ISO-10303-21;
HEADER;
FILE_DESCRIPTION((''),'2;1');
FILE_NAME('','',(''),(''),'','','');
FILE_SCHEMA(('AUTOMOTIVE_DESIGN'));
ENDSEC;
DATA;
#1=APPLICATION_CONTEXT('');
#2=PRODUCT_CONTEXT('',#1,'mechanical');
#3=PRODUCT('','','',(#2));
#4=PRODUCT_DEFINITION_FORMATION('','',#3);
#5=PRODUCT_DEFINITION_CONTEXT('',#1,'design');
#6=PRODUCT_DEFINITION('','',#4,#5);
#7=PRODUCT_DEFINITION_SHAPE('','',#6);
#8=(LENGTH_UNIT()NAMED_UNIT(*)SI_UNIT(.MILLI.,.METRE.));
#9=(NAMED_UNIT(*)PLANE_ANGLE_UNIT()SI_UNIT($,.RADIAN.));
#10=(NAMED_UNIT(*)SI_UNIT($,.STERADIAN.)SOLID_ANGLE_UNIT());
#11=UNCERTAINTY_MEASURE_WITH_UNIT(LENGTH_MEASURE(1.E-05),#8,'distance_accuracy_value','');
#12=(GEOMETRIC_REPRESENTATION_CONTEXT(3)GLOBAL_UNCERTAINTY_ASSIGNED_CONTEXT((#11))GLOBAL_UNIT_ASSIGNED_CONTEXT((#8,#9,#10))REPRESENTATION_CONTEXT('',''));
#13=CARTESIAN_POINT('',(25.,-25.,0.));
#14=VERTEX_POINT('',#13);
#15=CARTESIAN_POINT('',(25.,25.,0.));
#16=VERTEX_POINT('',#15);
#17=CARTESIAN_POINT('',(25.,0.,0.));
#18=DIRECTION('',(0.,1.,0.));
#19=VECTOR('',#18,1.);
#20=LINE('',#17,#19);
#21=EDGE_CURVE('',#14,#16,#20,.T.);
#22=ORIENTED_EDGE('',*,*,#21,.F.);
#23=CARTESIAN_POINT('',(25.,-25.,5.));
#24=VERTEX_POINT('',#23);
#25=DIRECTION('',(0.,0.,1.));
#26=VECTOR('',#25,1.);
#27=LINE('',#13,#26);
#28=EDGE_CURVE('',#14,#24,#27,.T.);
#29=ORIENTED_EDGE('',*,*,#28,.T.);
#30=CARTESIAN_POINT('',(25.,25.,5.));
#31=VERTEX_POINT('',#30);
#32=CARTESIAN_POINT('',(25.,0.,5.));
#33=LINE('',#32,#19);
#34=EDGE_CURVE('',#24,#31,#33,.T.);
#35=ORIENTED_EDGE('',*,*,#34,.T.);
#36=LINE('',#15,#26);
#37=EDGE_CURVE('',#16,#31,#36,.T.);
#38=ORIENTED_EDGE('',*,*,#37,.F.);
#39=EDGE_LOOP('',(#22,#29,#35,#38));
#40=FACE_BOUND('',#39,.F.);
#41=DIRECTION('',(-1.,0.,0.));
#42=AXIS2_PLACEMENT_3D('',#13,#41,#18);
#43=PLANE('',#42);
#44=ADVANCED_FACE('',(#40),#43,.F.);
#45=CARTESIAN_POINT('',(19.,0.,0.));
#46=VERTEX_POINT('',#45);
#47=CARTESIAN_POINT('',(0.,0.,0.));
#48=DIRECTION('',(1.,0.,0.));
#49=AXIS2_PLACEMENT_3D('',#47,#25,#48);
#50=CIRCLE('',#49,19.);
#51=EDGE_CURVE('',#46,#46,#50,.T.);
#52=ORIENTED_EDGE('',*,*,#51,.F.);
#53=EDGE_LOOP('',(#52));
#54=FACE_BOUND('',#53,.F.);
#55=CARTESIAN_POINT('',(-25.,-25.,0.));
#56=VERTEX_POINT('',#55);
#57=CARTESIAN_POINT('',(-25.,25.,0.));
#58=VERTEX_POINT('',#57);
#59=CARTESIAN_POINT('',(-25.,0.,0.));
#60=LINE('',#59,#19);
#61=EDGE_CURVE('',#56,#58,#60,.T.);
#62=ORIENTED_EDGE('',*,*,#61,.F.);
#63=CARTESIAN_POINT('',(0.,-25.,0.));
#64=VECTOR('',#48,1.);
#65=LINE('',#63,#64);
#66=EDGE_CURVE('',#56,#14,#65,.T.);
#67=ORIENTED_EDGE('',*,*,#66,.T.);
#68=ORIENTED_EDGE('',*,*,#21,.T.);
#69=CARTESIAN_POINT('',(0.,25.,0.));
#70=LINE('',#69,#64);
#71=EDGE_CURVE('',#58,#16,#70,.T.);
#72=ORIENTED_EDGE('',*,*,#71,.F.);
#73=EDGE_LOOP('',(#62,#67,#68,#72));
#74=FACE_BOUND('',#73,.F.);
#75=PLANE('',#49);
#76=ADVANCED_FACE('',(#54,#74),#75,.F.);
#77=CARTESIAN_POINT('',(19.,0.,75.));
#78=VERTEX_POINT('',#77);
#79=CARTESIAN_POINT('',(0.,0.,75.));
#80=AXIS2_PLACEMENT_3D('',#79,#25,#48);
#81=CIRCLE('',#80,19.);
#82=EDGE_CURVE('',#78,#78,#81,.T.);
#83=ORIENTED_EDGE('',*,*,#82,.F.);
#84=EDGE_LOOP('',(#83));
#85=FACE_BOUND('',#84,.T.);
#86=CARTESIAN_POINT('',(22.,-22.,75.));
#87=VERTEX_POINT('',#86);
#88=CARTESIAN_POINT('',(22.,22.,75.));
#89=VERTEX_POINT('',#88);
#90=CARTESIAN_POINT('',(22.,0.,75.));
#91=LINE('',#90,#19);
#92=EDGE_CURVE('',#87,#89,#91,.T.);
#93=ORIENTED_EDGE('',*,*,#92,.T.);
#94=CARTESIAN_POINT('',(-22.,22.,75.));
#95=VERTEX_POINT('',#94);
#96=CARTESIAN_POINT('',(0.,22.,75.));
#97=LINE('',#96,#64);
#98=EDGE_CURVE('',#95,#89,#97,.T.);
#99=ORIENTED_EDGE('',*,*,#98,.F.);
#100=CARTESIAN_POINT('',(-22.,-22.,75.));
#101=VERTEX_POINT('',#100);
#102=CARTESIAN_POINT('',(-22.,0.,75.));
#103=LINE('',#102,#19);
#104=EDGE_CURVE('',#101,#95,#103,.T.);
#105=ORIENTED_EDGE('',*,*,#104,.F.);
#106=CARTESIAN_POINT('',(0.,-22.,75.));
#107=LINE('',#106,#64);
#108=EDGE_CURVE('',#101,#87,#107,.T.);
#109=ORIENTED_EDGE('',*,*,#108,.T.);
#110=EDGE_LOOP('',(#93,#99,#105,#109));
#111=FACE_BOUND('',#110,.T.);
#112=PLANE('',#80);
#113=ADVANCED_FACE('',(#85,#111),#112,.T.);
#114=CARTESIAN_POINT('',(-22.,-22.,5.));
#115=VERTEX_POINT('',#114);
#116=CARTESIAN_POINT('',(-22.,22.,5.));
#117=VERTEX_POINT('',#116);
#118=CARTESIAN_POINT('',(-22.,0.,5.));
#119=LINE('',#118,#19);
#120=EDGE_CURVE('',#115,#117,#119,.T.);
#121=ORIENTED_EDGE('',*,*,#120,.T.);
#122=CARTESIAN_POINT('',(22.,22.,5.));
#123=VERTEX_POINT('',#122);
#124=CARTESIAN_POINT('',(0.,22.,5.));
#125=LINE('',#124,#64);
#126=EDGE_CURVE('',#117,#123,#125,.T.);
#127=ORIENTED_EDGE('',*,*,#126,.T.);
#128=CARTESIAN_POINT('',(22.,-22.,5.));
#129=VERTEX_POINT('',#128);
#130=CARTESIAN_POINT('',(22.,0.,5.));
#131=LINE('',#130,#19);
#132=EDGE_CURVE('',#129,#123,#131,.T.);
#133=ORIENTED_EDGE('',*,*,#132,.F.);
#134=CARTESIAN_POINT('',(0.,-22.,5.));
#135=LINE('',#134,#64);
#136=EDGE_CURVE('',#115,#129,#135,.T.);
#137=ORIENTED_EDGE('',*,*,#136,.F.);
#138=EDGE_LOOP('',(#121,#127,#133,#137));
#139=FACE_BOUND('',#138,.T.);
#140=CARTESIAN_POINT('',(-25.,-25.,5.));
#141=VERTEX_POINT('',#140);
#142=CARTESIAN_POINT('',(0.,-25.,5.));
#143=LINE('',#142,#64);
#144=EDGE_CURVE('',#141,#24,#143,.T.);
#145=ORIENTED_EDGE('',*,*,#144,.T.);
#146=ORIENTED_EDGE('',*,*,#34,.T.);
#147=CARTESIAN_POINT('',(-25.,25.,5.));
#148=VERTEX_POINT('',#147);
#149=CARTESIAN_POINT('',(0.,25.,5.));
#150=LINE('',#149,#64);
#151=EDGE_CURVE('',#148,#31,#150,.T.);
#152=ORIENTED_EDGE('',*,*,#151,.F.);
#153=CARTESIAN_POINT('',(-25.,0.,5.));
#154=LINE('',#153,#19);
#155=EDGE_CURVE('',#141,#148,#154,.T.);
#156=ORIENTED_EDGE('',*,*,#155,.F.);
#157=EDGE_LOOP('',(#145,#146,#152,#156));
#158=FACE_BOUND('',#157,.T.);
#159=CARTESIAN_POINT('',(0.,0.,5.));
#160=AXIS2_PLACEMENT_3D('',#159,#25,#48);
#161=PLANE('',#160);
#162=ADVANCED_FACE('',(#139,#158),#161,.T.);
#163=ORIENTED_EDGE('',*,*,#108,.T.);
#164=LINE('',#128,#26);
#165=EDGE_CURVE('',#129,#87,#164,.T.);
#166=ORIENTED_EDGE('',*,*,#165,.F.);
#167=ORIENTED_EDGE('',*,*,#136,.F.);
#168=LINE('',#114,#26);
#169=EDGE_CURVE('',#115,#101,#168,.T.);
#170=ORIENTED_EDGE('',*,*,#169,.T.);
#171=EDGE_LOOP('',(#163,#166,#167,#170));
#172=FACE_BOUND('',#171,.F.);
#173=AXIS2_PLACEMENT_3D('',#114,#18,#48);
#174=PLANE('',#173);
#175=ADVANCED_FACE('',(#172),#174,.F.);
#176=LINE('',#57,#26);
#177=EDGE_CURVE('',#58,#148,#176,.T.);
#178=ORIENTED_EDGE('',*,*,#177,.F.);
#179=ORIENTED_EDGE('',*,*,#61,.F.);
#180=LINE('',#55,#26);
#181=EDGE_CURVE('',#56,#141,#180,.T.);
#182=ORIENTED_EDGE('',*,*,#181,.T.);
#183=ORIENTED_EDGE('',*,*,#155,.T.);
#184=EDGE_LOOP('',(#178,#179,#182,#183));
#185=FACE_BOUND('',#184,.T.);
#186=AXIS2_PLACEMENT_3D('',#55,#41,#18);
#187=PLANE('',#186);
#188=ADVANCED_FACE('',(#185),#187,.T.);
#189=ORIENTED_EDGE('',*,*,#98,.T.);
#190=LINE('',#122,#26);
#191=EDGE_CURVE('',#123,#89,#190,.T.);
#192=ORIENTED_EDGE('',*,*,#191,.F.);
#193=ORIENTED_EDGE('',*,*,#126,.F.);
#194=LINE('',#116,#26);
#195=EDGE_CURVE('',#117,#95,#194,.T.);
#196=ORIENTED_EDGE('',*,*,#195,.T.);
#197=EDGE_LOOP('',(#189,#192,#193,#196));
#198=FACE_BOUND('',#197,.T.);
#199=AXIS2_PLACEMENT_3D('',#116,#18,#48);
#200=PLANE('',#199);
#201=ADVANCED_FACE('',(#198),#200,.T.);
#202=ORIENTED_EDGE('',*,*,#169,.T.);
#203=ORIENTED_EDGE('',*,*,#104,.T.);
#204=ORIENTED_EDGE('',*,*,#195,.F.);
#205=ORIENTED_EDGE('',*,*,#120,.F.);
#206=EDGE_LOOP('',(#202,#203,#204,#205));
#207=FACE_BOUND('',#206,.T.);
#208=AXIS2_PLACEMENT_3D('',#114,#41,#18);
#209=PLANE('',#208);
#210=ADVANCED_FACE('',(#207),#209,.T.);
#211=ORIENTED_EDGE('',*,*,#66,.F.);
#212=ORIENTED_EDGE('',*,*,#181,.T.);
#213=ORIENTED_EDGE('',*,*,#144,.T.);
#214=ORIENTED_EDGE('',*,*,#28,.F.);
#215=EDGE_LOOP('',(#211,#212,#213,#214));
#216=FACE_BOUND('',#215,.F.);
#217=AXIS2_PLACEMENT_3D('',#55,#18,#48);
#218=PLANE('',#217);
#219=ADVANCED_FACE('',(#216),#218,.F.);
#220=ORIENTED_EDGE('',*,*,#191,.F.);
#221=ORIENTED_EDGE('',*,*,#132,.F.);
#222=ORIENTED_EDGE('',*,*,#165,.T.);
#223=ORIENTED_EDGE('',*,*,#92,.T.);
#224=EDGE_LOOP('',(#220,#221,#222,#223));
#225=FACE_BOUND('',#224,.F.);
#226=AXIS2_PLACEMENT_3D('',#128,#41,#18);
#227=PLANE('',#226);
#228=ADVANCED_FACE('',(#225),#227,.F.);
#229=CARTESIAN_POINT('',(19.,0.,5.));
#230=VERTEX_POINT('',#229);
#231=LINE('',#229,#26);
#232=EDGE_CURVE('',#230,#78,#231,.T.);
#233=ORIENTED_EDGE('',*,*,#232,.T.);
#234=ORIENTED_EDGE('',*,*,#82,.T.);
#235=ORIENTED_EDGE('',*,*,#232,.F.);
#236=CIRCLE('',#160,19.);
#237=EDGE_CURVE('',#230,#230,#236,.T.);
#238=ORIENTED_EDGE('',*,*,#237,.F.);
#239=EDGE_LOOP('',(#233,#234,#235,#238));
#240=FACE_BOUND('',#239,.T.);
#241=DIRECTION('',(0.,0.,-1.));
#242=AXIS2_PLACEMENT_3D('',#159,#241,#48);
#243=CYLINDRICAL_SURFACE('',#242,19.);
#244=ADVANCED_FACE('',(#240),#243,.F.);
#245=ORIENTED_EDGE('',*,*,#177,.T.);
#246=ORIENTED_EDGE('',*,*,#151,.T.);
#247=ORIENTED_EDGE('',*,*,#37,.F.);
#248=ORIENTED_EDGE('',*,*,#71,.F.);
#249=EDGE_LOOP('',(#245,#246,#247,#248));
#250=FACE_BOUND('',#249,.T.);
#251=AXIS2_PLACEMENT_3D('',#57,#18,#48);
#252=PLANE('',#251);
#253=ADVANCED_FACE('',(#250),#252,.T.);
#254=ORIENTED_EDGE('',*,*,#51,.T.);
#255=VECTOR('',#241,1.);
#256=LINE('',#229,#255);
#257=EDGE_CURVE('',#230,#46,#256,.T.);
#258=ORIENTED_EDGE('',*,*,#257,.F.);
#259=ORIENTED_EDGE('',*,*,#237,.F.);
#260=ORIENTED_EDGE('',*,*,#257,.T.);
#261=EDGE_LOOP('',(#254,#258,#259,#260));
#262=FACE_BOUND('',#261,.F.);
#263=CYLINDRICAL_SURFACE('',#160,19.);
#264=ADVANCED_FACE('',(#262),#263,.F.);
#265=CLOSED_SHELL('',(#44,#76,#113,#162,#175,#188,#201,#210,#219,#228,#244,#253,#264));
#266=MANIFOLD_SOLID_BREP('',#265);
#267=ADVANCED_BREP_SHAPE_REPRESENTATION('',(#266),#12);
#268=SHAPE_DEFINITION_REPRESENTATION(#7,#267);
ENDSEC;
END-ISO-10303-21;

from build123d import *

# Parameters (mm, degrees)
F0_W      = 50
F0_H      = 50
F1_DEPTH  = 5
F2_W      = 44
F2_H      = 44
F2_R      = 19
F3_DEPTH  = 70
F3_FACE_R = 19
F4_DEPTH  = 78.5


with BuildPart() as f1:
    # F0 (on Top) → F1 (new body)
    with BuildSketch(Plane.XY):
        Rectangle(F0_W, F0_H)
    extrude(amount=F1_DEPTH)

    # F2 (on face) → F3 (join)
    with BuildSketch(Plane.XY.offset(5)):
        Rectangle(F2_W, F2_H)
        Circle(F2_R, mode=Mode.SUBTRACT)
    extrude(amount=F3_DEPTH)

    # F3_face (on face) → F4 (cut)
    with BuildSketch(Plane.XY.offset(5)):
        Circle(F3_FACE_R)
    extrude(amount=-F4_DEPTH, mode=Mode.SUBTRACT)


solid = f1.part
